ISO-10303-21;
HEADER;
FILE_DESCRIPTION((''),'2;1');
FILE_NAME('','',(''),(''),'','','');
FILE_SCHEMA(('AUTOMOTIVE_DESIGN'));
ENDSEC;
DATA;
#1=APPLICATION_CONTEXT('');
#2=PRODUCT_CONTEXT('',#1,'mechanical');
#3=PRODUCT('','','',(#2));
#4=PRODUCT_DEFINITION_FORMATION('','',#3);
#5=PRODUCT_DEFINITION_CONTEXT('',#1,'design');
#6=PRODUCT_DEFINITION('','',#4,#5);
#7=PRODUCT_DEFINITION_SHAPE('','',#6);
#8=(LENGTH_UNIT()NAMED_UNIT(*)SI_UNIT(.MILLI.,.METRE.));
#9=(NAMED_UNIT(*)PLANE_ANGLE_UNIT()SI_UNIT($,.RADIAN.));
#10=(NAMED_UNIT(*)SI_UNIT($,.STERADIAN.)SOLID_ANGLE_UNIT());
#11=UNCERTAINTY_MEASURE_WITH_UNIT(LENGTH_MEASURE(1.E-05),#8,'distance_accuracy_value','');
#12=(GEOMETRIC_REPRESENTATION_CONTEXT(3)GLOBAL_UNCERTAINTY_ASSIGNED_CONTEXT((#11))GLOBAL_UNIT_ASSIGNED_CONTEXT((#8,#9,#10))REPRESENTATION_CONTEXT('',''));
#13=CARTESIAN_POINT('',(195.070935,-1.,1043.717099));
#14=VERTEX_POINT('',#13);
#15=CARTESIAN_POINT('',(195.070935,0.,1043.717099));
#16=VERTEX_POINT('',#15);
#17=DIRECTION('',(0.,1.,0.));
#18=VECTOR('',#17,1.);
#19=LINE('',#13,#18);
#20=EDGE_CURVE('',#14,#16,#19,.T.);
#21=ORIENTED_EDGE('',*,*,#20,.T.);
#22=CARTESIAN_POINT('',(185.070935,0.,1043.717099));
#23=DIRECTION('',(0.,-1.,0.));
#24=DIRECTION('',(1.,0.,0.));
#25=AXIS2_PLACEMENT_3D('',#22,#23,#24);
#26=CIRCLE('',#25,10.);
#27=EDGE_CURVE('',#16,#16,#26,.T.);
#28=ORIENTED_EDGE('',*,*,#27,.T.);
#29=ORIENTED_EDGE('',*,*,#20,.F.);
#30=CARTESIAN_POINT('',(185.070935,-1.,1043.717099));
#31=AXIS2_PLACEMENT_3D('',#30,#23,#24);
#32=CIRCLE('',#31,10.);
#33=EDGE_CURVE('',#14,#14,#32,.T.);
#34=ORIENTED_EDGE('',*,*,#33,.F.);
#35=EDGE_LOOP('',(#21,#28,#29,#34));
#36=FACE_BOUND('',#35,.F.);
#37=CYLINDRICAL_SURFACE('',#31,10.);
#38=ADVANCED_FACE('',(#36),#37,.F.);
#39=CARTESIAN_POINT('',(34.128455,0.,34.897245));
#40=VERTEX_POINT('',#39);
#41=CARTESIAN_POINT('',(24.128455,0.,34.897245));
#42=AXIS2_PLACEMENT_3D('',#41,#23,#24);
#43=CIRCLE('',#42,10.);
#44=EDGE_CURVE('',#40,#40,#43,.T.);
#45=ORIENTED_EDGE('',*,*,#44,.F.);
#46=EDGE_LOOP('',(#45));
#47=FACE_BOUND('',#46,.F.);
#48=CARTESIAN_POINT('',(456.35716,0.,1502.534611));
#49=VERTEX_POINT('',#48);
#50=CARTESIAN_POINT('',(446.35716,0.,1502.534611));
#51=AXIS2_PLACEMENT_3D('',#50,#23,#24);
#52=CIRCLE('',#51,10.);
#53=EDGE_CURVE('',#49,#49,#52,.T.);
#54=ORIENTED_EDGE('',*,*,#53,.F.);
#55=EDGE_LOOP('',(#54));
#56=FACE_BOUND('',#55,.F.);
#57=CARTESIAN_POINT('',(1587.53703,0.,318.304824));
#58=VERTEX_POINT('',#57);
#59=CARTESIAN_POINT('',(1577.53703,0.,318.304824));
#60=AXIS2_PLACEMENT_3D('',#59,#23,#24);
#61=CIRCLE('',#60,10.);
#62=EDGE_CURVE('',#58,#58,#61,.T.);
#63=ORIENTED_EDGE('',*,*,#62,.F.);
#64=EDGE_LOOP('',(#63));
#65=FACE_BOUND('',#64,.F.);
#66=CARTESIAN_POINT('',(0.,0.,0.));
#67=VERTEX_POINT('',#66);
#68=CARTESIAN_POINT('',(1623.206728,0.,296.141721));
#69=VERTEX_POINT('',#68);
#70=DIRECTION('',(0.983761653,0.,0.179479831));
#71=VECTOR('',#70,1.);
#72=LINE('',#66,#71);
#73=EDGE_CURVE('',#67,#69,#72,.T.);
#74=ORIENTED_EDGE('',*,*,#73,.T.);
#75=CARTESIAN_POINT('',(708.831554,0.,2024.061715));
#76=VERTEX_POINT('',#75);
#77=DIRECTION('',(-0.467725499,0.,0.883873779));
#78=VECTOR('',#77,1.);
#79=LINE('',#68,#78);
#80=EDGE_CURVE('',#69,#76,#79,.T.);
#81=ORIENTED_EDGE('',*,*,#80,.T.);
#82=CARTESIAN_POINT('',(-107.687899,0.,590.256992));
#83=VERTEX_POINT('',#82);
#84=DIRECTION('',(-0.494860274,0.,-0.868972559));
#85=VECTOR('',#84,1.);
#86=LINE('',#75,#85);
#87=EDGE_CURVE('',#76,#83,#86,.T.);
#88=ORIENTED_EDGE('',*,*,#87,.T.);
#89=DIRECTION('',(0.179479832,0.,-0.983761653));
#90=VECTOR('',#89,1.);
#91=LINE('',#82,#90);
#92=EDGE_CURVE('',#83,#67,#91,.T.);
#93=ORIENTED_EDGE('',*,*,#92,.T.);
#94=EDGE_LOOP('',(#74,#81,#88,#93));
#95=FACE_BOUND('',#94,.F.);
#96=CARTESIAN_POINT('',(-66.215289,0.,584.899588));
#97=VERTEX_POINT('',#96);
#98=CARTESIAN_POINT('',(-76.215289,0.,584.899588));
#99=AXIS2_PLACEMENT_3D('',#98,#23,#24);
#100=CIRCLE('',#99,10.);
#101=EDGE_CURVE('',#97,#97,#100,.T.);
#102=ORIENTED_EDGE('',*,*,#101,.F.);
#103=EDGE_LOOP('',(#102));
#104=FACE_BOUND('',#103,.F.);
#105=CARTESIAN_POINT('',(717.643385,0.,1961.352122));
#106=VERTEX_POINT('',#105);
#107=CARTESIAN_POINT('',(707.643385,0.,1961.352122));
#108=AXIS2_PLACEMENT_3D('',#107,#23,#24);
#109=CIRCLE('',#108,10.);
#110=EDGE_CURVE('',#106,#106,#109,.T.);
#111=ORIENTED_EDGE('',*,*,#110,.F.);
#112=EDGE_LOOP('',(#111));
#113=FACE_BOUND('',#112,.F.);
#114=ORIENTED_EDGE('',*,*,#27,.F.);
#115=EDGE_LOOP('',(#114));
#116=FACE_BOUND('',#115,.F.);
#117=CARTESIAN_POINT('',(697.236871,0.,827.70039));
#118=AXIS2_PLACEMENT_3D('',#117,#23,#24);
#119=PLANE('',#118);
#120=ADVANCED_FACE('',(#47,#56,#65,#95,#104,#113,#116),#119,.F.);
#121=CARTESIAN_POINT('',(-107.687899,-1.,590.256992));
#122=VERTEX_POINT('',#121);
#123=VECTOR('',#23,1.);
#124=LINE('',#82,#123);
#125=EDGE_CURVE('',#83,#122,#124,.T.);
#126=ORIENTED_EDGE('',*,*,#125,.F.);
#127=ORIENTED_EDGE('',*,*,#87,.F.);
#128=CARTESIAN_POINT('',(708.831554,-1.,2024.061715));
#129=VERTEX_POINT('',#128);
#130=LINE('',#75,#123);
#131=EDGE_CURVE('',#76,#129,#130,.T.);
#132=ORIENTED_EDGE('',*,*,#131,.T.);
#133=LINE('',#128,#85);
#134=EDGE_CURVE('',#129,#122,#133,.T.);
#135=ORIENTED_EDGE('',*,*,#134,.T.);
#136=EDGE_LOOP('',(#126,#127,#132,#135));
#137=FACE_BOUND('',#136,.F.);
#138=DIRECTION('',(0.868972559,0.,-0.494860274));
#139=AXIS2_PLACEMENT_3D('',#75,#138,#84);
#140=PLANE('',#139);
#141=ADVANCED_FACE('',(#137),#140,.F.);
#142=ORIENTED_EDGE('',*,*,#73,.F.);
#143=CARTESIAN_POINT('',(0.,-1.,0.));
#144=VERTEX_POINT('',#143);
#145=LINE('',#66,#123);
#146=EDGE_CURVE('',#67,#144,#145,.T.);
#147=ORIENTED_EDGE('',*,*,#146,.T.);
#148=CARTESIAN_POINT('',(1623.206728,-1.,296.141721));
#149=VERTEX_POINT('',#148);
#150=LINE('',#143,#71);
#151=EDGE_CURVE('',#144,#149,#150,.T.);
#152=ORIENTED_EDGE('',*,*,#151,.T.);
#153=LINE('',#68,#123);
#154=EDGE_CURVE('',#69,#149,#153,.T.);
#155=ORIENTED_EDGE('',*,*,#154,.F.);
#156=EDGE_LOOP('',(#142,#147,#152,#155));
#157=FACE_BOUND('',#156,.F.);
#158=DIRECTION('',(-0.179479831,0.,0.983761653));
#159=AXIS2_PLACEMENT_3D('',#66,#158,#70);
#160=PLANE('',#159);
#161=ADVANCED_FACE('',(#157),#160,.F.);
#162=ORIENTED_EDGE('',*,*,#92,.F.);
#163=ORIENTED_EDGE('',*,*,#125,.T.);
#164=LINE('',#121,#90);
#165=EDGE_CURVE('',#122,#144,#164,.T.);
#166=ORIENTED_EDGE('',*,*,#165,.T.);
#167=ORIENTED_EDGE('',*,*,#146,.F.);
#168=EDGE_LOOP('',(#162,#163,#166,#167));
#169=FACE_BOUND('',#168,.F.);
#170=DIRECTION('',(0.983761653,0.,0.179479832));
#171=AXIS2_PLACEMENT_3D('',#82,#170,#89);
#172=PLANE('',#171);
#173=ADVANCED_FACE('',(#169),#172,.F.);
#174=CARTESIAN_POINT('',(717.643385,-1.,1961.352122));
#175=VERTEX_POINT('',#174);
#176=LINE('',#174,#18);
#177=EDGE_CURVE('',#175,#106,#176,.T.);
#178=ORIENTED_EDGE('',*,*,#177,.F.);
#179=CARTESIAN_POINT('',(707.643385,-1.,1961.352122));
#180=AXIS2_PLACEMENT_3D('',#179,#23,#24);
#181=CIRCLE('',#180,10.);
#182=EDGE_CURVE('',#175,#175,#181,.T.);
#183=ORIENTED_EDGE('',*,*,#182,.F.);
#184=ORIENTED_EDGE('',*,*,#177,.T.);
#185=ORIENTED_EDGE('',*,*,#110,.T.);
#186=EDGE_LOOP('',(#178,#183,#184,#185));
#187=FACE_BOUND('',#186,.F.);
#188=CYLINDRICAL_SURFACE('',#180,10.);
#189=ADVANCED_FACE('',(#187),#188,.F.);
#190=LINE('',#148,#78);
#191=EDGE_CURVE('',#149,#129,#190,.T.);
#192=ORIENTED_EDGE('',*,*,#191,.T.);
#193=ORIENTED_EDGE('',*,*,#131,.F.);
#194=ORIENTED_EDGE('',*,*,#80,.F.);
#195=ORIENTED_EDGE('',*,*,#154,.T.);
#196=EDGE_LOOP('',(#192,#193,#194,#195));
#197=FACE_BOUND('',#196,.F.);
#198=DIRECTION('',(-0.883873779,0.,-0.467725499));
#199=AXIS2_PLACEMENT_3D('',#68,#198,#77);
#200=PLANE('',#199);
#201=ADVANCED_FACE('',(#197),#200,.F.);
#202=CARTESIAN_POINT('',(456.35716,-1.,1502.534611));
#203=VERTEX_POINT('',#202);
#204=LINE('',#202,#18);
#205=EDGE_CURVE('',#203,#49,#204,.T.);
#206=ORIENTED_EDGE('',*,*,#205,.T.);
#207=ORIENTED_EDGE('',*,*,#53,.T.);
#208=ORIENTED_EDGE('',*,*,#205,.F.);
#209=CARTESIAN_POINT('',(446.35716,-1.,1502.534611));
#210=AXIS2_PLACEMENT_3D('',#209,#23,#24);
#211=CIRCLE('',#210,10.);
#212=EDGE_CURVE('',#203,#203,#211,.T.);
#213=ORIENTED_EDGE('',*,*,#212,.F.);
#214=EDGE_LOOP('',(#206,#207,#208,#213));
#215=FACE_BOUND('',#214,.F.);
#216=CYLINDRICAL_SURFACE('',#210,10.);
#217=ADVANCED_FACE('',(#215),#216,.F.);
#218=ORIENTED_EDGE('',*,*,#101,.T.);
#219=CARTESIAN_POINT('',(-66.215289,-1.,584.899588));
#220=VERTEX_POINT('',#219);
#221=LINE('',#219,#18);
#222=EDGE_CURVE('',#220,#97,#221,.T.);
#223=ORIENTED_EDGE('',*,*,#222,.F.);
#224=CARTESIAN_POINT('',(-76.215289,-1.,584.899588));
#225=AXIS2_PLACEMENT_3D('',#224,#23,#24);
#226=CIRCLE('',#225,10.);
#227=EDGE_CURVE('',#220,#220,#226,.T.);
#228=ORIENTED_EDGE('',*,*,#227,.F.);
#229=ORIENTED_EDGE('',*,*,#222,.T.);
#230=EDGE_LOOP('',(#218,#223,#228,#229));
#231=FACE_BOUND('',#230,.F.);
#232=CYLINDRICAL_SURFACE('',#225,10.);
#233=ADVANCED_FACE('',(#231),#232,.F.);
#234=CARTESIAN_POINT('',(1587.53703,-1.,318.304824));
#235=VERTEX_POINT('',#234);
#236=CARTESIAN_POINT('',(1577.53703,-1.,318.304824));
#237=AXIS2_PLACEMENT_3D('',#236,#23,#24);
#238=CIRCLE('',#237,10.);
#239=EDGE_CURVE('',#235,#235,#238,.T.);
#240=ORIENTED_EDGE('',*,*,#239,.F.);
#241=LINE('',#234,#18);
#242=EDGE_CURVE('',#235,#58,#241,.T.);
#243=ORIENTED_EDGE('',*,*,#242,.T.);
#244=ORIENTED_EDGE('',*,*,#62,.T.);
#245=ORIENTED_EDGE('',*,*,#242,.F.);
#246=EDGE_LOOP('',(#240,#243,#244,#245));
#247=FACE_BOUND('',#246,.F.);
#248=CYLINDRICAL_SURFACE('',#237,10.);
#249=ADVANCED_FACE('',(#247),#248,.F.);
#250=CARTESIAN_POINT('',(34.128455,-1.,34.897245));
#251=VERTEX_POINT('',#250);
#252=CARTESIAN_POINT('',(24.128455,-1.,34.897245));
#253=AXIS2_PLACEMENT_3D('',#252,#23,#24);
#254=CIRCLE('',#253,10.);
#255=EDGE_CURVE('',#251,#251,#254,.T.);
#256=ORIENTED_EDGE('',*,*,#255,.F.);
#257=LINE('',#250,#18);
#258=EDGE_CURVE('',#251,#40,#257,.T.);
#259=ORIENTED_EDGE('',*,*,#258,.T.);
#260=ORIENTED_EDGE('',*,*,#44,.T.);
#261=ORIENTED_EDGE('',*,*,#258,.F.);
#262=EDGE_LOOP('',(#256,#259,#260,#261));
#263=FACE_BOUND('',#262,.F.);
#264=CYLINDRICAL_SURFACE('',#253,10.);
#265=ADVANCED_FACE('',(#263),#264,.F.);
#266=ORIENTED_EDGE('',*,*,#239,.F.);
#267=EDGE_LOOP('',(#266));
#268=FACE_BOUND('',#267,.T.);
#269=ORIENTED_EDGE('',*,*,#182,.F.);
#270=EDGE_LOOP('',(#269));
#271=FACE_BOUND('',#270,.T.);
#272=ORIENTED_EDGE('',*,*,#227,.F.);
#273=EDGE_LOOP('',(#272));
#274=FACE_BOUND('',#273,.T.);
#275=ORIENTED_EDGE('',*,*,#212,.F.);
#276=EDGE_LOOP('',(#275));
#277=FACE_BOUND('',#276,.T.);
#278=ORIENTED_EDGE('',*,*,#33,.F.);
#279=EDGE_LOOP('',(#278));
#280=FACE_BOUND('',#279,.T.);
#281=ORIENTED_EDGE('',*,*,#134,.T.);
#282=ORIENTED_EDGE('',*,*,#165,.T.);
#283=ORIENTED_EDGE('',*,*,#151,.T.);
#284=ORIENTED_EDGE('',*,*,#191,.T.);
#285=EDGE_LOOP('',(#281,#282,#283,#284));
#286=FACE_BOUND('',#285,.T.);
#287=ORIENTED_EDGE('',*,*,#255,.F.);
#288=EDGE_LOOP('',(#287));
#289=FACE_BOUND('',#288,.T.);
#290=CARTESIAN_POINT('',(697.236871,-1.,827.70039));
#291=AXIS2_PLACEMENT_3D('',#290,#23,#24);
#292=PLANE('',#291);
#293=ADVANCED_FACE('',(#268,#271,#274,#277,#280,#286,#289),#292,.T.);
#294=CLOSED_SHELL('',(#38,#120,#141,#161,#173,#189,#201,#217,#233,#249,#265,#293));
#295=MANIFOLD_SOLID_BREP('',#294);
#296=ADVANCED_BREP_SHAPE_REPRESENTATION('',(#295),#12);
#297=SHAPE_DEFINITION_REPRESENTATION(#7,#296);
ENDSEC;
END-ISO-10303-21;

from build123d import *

# Parameters (mm, degrees)
F1_DEPTH = 1
F2_R     = 10
F3_DEPTH = 1.001


with BuildPart() as f1:
    # F0 (on Front) → F1 (new body)
    with BuildSketch(Plane.XZ):
        Polygon((-107.687899, 590.256992), (0, 0), (1623.206728, 296.141721), (708.831554, 2024.061715), align=None)
    extrude(amount=F1_DEPTH)

    # F2 (on face) → F3 (cut, through all)
    with BuildSketch(Plane.XZ.offset(1)):
        with Locations((-76.215289, 584.899588)):
            Circle(F2_R)
        with Locations((185.070935, 1043.717099)):
            Circle(F2_R)
        with Locations((446.35716, 1502.534611)):
            Circle(F2_R)
        with Locations((707.643385, 1961.352122)):
            Circle(F2_R)
        with Locations((24.128455, 34.897245)):
            Circle(F2_R)
        with Locations((1577.53703, 318.304824)):
            Circle(F2_R)
    extrude(amount=-F3_DEPTH, mode=Mode.SUBTRACT)


solid = f1.part
